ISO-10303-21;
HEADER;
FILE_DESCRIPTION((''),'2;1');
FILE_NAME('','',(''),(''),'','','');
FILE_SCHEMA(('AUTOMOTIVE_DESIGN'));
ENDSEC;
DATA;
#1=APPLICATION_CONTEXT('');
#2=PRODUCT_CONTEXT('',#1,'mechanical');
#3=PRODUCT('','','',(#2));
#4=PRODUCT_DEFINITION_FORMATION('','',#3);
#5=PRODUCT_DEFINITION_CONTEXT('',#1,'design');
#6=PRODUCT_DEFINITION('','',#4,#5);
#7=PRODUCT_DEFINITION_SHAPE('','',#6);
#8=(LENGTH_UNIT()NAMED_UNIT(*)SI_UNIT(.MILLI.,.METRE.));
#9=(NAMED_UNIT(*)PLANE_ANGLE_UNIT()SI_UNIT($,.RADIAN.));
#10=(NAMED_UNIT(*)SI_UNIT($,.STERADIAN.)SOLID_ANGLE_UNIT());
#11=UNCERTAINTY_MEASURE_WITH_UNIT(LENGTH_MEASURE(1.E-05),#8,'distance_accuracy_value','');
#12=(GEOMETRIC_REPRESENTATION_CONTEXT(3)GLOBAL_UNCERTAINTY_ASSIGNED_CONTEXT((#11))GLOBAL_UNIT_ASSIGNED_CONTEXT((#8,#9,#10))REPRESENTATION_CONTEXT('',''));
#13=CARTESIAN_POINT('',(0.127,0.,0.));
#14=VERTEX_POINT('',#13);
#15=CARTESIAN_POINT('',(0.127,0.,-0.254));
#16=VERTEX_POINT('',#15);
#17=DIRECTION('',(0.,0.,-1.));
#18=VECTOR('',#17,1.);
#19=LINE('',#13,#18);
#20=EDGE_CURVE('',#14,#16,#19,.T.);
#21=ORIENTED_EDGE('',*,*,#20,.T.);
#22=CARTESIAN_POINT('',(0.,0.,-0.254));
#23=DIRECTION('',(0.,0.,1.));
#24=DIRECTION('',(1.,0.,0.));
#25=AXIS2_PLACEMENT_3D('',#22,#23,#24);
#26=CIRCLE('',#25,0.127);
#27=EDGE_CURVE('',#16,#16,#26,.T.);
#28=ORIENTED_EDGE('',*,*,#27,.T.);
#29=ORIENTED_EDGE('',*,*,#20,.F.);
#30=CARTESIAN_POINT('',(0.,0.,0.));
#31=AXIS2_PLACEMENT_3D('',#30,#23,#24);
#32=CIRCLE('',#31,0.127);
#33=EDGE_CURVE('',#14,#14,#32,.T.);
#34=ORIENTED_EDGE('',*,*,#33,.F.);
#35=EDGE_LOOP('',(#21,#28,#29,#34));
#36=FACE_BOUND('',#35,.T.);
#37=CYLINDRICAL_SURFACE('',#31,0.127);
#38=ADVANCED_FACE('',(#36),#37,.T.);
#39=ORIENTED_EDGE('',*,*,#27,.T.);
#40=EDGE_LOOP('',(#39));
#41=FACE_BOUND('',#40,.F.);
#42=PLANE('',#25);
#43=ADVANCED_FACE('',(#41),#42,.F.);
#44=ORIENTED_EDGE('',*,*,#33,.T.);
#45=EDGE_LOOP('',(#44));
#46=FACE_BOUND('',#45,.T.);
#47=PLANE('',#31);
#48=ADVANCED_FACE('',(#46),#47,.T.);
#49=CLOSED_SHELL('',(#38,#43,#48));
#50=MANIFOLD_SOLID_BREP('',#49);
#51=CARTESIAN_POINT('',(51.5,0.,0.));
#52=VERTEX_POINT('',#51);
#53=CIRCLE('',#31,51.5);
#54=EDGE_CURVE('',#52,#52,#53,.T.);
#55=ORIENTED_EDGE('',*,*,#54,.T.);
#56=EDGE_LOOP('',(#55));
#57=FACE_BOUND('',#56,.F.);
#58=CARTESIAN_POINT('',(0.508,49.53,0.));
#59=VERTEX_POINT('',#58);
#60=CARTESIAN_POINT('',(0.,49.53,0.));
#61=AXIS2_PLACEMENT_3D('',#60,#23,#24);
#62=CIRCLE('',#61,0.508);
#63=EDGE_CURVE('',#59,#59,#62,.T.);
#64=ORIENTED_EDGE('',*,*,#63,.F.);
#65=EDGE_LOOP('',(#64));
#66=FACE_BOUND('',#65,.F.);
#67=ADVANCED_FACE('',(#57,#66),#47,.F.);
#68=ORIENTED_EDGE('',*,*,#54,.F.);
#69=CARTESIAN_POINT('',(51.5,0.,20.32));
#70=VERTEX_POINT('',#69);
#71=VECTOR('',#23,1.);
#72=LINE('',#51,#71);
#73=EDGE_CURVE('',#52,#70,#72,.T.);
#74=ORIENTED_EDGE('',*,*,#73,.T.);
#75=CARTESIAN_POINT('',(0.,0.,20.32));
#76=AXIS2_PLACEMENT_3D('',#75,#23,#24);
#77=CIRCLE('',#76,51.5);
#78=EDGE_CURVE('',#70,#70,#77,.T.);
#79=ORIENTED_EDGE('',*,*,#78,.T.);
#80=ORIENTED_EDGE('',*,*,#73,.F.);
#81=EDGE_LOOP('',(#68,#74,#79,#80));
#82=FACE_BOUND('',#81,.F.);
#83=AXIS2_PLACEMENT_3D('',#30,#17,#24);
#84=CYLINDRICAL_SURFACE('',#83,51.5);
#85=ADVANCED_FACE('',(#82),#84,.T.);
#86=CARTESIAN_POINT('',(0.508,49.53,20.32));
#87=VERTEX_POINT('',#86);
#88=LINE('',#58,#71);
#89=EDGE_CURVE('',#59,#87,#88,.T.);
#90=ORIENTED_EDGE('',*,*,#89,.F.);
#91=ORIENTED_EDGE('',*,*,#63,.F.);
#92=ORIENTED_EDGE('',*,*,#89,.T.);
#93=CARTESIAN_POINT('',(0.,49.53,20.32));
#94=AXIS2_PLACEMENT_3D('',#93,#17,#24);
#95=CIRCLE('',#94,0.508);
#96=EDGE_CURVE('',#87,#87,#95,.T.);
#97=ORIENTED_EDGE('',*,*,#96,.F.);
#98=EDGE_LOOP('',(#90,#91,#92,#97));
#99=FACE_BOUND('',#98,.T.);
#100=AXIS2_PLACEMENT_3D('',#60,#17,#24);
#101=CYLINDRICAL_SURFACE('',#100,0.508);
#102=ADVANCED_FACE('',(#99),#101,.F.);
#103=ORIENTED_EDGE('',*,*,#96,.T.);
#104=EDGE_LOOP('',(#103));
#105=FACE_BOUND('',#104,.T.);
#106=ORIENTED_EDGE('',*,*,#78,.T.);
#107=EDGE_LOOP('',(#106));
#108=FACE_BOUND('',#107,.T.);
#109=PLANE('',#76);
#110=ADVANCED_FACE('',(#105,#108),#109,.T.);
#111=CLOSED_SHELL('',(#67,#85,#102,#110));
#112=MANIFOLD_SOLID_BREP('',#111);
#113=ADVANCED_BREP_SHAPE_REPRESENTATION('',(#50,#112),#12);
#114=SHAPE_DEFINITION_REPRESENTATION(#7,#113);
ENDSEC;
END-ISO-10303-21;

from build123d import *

# Parameters (mm, degrees)
F0_R     = 51.5
F1_DEPTH = 20.32
F3_R     = 0.127
F4_DEPTH = 0.254
F2_R     = 0.508
F5_DEPTH = 25.4


with BuildPart() as f1:
    # F0 (on Top) → F1 (new body)
    with BuildSketch(Plane.XY):
        Circle(F0_R)
    extrude(amount=F1_DEPTH)

    # F2 (on Top) → F5 (cut)
    with BuildSketch(Plane.XY):
        with Locations((0, 49.53)):
            Circle(F2_R)
    extrude(amount=F5_DEPTH, mode=Mode.SUBTRACT)


with BuildPart() as f4:
    # F3 (on Top) → F4 (new body)
    with BuildSketch(Plane.XY):
        Circle(F3_R)
    extrude(amount=-F4_DEPTH)


solid = Compound([f1.part, f4.part])
